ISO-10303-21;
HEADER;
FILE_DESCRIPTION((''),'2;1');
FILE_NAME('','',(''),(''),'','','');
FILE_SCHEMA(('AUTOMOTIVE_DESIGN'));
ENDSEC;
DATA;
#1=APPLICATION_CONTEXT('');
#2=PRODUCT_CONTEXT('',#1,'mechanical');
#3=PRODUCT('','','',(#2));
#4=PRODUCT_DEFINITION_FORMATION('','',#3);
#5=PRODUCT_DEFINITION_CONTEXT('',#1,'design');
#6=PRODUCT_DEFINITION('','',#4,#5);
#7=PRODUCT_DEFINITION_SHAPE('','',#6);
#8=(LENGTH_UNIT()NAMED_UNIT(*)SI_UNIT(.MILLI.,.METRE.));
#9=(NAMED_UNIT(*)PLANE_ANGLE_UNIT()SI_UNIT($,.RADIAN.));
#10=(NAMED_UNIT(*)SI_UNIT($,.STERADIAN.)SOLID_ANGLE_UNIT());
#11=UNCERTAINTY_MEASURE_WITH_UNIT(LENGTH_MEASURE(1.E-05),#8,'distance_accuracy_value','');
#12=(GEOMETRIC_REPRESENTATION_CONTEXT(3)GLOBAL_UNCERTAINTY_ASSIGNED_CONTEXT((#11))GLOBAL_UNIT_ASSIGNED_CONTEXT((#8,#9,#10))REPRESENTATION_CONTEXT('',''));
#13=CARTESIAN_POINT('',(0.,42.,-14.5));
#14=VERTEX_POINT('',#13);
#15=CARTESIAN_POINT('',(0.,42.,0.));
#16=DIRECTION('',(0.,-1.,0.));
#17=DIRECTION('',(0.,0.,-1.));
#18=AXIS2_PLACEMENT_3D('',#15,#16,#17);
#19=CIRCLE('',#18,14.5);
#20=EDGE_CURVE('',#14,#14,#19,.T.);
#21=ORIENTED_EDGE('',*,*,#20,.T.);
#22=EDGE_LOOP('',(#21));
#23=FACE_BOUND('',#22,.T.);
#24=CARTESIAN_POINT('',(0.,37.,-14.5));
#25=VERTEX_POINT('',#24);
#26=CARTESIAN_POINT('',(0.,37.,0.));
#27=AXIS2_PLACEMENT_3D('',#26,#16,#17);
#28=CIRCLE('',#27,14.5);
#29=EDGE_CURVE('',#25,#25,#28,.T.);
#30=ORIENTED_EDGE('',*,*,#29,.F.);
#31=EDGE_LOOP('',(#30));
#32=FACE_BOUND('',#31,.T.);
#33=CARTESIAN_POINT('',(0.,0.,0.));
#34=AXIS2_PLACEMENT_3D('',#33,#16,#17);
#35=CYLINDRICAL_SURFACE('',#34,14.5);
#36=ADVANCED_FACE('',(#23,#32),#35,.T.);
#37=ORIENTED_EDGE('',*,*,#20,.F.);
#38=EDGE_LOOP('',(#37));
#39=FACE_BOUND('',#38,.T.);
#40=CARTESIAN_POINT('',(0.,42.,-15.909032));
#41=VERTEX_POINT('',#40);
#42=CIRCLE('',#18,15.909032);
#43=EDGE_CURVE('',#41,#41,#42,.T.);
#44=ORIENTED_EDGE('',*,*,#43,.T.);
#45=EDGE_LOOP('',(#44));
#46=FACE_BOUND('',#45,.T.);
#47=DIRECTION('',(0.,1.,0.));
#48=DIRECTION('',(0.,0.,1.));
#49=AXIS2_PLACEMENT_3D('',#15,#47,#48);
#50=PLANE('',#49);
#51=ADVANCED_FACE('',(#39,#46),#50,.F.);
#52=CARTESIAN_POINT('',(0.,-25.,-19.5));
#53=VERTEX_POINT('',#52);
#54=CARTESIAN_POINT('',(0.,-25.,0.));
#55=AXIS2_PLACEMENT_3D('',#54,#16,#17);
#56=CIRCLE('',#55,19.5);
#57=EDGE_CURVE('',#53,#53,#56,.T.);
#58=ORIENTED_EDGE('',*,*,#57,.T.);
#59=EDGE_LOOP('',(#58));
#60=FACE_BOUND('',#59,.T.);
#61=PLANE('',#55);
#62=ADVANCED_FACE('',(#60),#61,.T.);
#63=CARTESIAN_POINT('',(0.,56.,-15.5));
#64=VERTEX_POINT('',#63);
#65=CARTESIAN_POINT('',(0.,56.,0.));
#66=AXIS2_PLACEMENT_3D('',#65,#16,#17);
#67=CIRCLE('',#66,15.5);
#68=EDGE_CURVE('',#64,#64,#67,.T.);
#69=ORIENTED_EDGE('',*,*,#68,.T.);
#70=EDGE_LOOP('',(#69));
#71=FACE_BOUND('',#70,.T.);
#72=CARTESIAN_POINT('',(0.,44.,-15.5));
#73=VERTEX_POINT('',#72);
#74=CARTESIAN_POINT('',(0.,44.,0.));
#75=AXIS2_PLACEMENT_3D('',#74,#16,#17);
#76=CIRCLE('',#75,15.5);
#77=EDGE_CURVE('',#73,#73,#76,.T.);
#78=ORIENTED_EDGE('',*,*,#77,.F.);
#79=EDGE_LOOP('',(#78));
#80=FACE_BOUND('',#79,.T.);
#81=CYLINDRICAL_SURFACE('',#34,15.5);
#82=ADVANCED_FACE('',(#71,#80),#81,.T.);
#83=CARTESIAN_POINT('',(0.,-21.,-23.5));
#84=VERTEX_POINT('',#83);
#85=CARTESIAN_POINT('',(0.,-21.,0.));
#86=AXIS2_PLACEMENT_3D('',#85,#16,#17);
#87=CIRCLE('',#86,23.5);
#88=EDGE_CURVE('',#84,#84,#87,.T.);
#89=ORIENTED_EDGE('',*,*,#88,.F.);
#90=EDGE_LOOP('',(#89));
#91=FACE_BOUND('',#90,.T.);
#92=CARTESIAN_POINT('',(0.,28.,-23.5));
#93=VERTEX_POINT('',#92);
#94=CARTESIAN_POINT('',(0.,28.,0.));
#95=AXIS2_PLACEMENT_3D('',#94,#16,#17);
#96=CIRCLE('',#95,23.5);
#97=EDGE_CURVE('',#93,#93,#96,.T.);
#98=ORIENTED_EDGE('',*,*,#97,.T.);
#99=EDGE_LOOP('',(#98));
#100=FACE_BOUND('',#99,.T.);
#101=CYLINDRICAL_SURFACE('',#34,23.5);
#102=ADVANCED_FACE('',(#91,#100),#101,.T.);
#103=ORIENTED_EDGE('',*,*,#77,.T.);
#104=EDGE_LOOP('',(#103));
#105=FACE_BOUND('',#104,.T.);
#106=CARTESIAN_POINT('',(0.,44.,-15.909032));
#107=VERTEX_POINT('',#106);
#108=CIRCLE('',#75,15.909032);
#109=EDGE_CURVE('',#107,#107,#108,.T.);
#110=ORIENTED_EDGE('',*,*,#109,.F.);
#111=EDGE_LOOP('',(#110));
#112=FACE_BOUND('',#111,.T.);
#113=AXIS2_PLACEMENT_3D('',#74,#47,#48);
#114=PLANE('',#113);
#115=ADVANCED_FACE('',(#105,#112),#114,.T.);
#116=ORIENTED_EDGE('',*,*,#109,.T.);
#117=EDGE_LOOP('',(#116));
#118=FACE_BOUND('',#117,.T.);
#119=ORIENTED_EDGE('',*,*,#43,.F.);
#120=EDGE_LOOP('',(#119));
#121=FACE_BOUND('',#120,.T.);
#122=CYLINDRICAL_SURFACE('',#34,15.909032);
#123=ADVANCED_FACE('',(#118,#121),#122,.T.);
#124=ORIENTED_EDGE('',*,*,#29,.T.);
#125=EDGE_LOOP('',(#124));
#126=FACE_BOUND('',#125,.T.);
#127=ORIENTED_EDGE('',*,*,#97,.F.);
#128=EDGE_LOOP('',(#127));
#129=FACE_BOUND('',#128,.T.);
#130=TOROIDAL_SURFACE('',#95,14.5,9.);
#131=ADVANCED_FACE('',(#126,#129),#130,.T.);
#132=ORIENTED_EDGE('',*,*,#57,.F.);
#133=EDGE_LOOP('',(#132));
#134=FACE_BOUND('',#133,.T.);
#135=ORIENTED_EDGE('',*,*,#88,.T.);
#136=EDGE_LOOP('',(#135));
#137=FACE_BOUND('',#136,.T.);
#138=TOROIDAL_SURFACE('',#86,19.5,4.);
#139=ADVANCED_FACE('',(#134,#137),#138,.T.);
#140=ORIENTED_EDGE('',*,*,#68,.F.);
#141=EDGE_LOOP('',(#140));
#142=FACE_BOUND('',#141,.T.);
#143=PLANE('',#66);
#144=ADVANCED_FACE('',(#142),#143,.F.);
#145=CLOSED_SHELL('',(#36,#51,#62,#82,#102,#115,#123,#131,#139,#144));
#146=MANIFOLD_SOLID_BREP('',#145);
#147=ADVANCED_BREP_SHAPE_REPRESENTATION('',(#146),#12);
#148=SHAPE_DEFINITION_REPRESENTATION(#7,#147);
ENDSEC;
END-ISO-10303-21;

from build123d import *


with BuildPart() as part:
    # 草图1 → 旋转1 (revolve)
    with BuildSketch(Plane.XY, mode=Mode.PRIVATE) as revolve_1_sk:
        with BuildLine():
            Line((0, 56), (0, -25))
            Line((0, -25), (19.5, -25))
            ThreePointArc((19.5, -25), (22.328427125, -23.828427125), (23.5, -21))
            Line((23.5, -21), (23.5, 25))
            Line((23.5, 25), (23.5, 28))
            ThreePointArc((23.5, 28), (20.863961031, 34.363961031), (14.5, 37))
            Line((14.5, 37), (14.5, 42))
            Line((14.5, 42), (15.90903206, 42))
            Line((15.90903206, 42), (15.90903206, 44))
            Line((15.90903206, 44), (15.5, 44))
            Line((15.5, 44), (15.5, 56))
            Line((15.5, 56), (0, 56))
        make_face()
    revolve(revolve_1_sk.sketch.rotate(Axis((0, 0, 0), (0, 1, 0)), 90), axis=Axis((0, 0, 0), (0, 1, 0)))


solid = part.part
